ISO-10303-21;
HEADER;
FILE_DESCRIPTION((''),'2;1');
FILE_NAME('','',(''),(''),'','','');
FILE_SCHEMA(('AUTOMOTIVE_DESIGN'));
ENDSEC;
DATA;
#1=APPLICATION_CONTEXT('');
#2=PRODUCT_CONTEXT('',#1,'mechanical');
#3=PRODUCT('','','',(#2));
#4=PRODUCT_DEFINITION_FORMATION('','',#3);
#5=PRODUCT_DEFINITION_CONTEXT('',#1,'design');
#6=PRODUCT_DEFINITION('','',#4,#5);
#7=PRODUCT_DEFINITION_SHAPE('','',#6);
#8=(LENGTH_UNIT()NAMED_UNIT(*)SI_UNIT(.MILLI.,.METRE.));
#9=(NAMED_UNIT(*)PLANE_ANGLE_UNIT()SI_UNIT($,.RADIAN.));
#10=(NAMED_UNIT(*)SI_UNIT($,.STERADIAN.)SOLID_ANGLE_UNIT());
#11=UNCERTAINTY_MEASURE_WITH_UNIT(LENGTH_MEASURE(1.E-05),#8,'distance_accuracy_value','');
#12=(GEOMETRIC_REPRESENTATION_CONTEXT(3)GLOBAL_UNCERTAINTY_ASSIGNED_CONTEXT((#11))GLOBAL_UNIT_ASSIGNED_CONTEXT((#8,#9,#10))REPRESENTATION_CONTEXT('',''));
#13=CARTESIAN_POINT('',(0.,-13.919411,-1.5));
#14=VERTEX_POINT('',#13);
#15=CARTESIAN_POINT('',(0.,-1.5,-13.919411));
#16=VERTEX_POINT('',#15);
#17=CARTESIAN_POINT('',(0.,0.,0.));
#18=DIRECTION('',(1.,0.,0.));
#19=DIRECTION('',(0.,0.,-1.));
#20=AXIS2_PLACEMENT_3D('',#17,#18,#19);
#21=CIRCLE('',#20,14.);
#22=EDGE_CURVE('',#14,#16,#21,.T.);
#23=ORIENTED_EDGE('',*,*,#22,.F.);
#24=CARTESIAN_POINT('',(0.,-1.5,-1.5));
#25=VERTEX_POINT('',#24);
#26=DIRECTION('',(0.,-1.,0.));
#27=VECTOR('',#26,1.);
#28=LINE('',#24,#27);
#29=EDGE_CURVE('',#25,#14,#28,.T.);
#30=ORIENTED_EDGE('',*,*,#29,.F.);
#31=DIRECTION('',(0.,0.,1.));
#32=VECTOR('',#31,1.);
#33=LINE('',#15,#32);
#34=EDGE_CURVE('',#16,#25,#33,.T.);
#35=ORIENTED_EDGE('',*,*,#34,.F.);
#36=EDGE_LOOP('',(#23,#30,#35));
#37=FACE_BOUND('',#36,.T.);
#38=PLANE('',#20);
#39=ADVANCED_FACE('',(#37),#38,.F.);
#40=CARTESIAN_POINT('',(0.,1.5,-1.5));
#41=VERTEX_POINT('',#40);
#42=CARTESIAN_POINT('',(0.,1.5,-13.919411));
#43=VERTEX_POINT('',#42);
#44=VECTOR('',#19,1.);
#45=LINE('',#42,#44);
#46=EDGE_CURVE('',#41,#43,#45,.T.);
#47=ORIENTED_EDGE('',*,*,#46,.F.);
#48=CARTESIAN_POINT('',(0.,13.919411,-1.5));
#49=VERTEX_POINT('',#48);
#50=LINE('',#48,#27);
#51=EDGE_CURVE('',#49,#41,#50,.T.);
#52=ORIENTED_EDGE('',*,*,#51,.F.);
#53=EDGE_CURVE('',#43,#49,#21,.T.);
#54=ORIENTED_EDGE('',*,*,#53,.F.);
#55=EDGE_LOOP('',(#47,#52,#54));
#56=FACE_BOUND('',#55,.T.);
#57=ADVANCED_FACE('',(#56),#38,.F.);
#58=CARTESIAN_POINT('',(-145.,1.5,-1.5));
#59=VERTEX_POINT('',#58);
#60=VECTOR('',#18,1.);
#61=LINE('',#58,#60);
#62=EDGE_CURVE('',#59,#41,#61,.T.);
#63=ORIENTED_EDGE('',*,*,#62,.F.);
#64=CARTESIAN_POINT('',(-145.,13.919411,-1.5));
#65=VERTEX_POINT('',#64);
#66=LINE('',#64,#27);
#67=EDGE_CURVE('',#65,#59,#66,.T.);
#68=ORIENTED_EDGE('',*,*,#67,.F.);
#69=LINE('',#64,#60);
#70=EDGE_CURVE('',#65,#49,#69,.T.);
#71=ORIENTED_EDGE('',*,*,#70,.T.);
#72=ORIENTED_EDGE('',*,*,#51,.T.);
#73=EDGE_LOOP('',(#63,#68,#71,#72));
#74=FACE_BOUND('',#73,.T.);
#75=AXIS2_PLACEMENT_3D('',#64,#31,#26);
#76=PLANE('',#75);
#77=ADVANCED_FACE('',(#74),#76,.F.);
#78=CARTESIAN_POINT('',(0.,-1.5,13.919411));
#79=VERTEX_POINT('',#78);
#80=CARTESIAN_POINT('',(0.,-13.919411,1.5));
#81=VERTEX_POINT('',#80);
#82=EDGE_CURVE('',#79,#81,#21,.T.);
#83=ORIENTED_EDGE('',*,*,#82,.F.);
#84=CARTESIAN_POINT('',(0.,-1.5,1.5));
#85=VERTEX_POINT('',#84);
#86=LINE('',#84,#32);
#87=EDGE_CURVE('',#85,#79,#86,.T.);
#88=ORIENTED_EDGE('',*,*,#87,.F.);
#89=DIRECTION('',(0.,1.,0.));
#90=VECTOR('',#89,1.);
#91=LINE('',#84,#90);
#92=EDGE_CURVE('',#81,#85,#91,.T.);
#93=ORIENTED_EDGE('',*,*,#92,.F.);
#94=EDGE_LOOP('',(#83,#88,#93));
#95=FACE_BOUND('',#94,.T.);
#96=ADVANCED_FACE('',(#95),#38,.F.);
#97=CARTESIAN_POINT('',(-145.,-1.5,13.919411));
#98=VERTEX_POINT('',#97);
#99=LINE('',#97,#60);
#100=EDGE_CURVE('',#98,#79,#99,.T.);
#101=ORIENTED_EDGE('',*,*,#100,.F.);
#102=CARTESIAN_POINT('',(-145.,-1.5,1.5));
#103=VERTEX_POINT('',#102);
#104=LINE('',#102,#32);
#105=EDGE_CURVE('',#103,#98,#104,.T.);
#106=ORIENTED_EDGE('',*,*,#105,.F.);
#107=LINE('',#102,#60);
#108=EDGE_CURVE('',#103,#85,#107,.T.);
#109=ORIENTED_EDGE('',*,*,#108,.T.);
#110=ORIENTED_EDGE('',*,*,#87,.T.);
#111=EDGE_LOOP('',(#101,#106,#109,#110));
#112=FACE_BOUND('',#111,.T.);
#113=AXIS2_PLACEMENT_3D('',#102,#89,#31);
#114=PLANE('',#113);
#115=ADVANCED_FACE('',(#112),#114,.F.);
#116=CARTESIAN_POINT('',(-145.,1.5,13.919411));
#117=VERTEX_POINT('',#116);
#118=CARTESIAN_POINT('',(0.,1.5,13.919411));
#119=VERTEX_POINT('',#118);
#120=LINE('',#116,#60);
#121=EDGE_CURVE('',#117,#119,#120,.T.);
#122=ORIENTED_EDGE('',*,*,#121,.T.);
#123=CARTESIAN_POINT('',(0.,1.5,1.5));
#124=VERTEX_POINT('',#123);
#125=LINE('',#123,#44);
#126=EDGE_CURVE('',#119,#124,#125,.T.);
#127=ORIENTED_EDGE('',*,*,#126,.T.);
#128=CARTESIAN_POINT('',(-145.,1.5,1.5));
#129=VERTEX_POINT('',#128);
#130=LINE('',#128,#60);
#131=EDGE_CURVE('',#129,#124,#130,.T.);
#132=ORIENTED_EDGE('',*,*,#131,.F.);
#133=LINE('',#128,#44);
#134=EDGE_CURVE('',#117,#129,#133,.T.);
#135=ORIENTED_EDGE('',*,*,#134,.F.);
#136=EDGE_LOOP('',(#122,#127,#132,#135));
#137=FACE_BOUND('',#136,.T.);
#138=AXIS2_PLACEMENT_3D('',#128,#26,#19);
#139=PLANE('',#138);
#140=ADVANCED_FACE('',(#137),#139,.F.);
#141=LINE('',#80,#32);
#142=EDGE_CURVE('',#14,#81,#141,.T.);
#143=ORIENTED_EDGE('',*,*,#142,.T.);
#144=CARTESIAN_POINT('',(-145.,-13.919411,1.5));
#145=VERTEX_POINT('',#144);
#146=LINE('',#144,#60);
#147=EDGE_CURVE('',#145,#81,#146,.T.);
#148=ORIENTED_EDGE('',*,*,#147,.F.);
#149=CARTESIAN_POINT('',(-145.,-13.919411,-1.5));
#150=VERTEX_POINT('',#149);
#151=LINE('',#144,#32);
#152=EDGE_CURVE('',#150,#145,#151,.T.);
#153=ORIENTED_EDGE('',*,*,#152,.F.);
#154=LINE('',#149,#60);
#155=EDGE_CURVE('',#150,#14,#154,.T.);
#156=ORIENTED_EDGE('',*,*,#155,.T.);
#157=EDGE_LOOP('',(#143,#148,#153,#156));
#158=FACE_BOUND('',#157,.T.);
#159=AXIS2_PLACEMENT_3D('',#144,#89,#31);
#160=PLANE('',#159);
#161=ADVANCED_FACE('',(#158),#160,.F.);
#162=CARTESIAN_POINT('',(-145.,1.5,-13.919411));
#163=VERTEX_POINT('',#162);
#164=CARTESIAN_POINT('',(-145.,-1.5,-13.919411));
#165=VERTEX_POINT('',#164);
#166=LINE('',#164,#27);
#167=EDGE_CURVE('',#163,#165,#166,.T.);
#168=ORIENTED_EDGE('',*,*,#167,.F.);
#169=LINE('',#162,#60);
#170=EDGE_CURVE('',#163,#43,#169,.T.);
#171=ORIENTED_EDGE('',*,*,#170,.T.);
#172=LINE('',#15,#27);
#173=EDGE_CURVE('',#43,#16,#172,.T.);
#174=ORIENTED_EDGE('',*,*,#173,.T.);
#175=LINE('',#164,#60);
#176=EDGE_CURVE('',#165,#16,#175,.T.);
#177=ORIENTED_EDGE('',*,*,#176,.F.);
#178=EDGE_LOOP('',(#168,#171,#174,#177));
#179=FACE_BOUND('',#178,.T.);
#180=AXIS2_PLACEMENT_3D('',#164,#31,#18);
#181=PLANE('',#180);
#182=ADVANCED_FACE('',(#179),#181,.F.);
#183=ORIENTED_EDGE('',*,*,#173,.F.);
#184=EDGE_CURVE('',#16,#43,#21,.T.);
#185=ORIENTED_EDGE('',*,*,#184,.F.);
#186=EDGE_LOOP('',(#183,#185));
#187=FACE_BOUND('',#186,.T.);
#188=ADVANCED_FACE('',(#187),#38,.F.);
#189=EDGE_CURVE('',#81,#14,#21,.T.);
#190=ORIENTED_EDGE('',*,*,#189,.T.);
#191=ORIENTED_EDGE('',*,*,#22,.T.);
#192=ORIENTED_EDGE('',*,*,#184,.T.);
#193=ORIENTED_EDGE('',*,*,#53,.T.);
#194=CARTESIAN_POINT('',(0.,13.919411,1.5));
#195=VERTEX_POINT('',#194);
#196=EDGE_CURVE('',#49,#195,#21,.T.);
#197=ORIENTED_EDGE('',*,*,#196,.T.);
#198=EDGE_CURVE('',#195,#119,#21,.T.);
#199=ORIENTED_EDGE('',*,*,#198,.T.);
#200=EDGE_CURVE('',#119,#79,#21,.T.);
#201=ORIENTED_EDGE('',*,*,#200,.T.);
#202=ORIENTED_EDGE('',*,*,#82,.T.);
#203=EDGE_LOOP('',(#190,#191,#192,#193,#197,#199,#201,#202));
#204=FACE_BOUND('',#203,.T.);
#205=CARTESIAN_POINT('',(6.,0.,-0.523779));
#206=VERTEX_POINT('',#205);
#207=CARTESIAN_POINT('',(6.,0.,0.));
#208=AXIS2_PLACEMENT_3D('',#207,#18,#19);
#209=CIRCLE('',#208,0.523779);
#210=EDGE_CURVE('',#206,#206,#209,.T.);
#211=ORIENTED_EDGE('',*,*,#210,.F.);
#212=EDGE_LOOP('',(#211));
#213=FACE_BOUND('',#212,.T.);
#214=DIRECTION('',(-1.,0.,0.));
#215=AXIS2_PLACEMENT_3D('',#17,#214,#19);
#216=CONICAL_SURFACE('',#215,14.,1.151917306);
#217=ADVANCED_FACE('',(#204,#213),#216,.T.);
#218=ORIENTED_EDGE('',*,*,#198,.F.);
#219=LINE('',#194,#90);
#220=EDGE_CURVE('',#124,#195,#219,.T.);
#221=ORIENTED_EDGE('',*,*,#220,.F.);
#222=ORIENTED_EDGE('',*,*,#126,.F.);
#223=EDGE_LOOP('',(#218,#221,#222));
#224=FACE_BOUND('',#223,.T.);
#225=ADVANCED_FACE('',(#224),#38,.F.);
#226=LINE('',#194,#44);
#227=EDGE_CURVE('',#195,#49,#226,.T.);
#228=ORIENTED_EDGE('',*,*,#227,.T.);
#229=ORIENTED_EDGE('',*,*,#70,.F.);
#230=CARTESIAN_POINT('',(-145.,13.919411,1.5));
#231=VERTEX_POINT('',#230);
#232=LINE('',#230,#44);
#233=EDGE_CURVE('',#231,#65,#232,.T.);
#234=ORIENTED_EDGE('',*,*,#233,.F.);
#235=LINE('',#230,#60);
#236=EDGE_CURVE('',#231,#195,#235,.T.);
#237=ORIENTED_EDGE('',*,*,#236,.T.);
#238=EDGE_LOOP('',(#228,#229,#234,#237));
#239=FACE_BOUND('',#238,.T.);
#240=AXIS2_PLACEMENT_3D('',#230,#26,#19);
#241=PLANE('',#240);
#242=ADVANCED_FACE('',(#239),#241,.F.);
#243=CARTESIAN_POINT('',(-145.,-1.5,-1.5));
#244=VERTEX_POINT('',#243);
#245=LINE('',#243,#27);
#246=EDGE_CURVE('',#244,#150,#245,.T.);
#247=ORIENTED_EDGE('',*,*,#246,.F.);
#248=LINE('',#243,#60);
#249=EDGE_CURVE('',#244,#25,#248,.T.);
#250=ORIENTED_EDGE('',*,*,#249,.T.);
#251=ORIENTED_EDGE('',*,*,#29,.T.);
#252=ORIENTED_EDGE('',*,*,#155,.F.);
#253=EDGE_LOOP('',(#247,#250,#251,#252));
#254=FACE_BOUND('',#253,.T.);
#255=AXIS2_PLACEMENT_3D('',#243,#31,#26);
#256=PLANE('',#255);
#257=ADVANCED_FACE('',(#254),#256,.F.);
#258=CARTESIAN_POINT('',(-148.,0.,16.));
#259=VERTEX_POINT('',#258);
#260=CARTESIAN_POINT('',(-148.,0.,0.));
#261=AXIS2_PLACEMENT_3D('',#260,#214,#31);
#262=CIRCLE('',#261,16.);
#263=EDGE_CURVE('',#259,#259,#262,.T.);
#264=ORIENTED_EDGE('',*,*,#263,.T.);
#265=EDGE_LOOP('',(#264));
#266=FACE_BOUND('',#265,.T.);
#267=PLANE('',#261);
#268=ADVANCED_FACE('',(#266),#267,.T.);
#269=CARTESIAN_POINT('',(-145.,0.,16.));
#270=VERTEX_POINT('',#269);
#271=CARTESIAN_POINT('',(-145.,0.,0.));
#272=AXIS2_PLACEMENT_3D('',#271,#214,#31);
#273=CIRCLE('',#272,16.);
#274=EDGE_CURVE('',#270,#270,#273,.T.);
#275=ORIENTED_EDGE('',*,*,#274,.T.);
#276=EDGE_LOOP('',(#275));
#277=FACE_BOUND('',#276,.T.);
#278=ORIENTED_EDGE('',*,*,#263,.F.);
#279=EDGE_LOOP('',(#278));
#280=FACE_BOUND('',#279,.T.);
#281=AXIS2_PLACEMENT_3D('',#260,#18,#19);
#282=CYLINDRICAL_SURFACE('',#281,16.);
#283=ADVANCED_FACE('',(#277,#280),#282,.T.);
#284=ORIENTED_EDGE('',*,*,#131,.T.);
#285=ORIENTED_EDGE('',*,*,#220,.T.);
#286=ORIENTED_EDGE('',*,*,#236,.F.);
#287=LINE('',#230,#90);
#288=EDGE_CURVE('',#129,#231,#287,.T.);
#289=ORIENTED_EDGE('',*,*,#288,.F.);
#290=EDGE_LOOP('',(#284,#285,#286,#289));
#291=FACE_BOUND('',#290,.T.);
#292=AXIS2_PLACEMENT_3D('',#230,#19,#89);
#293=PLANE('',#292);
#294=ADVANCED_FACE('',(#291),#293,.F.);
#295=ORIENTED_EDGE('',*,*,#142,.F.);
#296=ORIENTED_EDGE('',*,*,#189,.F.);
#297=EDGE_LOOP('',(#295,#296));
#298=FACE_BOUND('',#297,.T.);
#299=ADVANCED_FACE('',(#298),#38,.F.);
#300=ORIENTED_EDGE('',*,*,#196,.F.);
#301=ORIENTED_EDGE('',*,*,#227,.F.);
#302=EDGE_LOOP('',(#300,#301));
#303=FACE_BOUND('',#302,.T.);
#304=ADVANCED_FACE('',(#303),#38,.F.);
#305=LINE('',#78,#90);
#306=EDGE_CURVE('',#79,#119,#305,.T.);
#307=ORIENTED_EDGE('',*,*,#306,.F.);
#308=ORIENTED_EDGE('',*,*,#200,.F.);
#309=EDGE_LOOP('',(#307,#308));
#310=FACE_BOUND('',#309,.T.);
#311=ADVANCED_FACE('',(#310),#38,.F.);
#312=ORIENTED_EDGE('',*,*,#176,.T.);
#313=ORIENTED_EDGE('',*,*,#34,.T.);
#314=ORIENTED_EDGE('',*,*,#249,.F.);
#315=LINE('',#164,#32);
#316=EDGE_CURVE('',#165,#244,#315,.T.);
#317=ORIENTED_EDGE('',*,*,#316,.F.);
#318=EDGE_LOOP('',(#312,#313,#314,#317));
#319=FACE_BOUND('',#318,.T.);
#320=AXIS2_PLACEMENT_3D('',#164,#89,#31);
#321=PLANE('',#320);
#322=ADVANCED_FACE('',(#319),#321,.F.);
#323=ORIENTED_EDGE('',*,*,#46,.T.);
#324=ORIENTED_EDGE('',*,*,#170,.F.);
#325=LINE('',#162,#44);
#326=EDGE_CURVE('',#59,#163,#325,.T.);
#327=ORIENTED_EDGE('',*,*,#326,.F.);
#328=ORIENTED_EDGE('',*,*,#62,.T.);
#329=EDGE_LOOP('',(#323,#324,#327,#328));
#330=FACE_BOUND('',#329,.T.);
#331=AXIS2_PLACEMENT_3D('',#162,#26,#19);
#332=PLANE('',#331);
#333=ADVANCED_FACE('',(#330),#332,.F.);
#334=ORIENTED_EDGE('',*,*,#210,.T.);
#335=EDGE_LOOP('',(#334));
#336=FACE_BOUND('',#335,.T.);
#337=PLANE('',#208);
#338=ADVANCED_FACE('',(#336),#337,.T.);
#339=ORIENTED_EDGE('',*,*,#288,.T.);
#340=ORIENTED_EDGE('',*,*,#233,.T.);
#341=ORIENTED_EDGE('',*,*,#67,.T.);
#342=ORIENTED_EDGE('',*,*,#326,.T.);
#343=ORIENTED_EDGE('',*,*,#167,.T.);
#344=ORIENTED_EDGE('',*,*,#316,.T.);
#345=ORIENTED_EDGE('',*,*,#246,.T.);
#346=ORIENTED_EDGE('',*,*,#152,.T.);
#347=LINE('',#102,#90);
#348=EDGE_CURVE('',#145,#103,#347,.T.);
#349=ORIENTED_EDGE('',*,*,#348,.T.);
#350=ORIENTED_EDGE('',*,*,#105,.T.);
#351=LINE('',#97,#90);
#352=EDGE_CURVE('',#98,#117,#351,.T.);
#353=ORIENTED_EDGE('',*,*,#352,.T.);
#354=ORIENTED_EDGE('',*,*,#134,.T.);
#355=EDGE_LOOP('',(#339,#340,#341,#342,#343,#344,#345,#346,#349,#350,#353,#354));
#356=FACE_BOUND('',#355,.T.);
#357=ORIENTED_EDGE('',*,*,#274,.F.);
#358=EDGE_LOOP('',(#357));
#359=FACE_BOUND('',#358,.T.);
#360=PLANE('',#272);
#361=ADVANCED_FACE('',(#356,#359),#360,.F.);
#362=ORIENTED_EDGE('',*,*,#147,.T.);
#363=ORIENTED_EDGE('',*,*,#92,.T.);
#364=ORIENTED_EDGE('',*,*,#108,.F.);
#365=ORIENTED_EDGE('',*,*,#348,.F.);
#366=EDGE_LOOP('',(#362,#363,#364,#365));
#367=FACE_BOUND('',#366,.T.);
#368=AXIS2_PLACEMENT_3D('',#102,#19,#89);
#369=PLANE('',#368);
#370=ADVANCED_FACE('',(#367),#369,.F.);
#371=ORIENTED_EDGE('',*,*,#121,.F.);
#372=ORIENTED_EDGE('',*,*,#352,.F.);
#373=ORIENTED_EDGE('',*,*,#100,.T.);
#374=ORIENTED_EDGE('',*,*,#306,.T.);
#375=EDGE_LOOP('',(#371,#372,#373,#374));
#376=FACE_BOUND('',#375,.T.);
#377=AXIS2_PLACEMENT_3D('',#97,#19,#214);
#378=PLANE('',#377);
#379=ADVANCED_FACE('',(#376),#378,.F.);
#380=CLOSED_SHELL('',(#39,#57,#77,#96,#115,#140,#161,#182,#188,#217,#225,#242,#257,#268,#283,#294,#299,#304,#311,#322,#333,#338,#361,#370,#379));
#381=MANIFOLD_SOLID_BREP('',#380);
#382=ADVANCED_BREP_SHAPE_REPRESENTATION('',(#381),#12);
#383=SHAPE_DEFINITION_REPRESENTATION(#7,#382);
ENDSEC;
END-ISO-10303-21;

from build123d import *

# Parameters (mm, degrees)
SKETCH1_R           = 14
BOSS_EXTRUDE1_DEPTH = 6
BOSS_EXTRUDE1_TAPER = 66
BOSS_EXTRUDE2_DEPTH = 145
SKETCH3_R           = 16
BOSS_EXTRUDE3_DEPTH = 3


with BuildPart() as part:
    # Sketch1 → Boss-Extrude1 (new body)
    with BuildSketch(Plane(origin=(0, 0, 0), x_dir=(0, 0, -1), z_dir=(1, 0, 0))):
        Circle(SKETCH1_R)
    extrude(amount=BOSS_EXTRUDE1_DEPTH, taper=BOSS_EXTRUDE1_TAPER)

    # Sketch2 → Boss-Extrude2 (add)
    with BuildSketch(Plane.ZY):
        Polygon((1.5, -1.5), (1.5, -13.919410907), (-1.5, -13.919410907), (-1.5, -1.5), (-13.919410907, -1.5), (-13.919410907, 1.5), (-1.5, 1.5), (-1.5, 13.919410907), (1.5, 13.919410907), (1.5, 1.5), (13.919410907, 1.5), (13.919410907, -1.5), align=None)
    extrude(amount=BOSS_EXTRUDE2_DEPTH)

    # Sketch3 → Boss-Extrude3 (add)
    with BuildSketch(Plane.ZY.offset(145)):
        Circle(SKETCH3_R)
    extrude(amount=BOSS_EXTRUDE3_DEPTH)


solid = part.part
